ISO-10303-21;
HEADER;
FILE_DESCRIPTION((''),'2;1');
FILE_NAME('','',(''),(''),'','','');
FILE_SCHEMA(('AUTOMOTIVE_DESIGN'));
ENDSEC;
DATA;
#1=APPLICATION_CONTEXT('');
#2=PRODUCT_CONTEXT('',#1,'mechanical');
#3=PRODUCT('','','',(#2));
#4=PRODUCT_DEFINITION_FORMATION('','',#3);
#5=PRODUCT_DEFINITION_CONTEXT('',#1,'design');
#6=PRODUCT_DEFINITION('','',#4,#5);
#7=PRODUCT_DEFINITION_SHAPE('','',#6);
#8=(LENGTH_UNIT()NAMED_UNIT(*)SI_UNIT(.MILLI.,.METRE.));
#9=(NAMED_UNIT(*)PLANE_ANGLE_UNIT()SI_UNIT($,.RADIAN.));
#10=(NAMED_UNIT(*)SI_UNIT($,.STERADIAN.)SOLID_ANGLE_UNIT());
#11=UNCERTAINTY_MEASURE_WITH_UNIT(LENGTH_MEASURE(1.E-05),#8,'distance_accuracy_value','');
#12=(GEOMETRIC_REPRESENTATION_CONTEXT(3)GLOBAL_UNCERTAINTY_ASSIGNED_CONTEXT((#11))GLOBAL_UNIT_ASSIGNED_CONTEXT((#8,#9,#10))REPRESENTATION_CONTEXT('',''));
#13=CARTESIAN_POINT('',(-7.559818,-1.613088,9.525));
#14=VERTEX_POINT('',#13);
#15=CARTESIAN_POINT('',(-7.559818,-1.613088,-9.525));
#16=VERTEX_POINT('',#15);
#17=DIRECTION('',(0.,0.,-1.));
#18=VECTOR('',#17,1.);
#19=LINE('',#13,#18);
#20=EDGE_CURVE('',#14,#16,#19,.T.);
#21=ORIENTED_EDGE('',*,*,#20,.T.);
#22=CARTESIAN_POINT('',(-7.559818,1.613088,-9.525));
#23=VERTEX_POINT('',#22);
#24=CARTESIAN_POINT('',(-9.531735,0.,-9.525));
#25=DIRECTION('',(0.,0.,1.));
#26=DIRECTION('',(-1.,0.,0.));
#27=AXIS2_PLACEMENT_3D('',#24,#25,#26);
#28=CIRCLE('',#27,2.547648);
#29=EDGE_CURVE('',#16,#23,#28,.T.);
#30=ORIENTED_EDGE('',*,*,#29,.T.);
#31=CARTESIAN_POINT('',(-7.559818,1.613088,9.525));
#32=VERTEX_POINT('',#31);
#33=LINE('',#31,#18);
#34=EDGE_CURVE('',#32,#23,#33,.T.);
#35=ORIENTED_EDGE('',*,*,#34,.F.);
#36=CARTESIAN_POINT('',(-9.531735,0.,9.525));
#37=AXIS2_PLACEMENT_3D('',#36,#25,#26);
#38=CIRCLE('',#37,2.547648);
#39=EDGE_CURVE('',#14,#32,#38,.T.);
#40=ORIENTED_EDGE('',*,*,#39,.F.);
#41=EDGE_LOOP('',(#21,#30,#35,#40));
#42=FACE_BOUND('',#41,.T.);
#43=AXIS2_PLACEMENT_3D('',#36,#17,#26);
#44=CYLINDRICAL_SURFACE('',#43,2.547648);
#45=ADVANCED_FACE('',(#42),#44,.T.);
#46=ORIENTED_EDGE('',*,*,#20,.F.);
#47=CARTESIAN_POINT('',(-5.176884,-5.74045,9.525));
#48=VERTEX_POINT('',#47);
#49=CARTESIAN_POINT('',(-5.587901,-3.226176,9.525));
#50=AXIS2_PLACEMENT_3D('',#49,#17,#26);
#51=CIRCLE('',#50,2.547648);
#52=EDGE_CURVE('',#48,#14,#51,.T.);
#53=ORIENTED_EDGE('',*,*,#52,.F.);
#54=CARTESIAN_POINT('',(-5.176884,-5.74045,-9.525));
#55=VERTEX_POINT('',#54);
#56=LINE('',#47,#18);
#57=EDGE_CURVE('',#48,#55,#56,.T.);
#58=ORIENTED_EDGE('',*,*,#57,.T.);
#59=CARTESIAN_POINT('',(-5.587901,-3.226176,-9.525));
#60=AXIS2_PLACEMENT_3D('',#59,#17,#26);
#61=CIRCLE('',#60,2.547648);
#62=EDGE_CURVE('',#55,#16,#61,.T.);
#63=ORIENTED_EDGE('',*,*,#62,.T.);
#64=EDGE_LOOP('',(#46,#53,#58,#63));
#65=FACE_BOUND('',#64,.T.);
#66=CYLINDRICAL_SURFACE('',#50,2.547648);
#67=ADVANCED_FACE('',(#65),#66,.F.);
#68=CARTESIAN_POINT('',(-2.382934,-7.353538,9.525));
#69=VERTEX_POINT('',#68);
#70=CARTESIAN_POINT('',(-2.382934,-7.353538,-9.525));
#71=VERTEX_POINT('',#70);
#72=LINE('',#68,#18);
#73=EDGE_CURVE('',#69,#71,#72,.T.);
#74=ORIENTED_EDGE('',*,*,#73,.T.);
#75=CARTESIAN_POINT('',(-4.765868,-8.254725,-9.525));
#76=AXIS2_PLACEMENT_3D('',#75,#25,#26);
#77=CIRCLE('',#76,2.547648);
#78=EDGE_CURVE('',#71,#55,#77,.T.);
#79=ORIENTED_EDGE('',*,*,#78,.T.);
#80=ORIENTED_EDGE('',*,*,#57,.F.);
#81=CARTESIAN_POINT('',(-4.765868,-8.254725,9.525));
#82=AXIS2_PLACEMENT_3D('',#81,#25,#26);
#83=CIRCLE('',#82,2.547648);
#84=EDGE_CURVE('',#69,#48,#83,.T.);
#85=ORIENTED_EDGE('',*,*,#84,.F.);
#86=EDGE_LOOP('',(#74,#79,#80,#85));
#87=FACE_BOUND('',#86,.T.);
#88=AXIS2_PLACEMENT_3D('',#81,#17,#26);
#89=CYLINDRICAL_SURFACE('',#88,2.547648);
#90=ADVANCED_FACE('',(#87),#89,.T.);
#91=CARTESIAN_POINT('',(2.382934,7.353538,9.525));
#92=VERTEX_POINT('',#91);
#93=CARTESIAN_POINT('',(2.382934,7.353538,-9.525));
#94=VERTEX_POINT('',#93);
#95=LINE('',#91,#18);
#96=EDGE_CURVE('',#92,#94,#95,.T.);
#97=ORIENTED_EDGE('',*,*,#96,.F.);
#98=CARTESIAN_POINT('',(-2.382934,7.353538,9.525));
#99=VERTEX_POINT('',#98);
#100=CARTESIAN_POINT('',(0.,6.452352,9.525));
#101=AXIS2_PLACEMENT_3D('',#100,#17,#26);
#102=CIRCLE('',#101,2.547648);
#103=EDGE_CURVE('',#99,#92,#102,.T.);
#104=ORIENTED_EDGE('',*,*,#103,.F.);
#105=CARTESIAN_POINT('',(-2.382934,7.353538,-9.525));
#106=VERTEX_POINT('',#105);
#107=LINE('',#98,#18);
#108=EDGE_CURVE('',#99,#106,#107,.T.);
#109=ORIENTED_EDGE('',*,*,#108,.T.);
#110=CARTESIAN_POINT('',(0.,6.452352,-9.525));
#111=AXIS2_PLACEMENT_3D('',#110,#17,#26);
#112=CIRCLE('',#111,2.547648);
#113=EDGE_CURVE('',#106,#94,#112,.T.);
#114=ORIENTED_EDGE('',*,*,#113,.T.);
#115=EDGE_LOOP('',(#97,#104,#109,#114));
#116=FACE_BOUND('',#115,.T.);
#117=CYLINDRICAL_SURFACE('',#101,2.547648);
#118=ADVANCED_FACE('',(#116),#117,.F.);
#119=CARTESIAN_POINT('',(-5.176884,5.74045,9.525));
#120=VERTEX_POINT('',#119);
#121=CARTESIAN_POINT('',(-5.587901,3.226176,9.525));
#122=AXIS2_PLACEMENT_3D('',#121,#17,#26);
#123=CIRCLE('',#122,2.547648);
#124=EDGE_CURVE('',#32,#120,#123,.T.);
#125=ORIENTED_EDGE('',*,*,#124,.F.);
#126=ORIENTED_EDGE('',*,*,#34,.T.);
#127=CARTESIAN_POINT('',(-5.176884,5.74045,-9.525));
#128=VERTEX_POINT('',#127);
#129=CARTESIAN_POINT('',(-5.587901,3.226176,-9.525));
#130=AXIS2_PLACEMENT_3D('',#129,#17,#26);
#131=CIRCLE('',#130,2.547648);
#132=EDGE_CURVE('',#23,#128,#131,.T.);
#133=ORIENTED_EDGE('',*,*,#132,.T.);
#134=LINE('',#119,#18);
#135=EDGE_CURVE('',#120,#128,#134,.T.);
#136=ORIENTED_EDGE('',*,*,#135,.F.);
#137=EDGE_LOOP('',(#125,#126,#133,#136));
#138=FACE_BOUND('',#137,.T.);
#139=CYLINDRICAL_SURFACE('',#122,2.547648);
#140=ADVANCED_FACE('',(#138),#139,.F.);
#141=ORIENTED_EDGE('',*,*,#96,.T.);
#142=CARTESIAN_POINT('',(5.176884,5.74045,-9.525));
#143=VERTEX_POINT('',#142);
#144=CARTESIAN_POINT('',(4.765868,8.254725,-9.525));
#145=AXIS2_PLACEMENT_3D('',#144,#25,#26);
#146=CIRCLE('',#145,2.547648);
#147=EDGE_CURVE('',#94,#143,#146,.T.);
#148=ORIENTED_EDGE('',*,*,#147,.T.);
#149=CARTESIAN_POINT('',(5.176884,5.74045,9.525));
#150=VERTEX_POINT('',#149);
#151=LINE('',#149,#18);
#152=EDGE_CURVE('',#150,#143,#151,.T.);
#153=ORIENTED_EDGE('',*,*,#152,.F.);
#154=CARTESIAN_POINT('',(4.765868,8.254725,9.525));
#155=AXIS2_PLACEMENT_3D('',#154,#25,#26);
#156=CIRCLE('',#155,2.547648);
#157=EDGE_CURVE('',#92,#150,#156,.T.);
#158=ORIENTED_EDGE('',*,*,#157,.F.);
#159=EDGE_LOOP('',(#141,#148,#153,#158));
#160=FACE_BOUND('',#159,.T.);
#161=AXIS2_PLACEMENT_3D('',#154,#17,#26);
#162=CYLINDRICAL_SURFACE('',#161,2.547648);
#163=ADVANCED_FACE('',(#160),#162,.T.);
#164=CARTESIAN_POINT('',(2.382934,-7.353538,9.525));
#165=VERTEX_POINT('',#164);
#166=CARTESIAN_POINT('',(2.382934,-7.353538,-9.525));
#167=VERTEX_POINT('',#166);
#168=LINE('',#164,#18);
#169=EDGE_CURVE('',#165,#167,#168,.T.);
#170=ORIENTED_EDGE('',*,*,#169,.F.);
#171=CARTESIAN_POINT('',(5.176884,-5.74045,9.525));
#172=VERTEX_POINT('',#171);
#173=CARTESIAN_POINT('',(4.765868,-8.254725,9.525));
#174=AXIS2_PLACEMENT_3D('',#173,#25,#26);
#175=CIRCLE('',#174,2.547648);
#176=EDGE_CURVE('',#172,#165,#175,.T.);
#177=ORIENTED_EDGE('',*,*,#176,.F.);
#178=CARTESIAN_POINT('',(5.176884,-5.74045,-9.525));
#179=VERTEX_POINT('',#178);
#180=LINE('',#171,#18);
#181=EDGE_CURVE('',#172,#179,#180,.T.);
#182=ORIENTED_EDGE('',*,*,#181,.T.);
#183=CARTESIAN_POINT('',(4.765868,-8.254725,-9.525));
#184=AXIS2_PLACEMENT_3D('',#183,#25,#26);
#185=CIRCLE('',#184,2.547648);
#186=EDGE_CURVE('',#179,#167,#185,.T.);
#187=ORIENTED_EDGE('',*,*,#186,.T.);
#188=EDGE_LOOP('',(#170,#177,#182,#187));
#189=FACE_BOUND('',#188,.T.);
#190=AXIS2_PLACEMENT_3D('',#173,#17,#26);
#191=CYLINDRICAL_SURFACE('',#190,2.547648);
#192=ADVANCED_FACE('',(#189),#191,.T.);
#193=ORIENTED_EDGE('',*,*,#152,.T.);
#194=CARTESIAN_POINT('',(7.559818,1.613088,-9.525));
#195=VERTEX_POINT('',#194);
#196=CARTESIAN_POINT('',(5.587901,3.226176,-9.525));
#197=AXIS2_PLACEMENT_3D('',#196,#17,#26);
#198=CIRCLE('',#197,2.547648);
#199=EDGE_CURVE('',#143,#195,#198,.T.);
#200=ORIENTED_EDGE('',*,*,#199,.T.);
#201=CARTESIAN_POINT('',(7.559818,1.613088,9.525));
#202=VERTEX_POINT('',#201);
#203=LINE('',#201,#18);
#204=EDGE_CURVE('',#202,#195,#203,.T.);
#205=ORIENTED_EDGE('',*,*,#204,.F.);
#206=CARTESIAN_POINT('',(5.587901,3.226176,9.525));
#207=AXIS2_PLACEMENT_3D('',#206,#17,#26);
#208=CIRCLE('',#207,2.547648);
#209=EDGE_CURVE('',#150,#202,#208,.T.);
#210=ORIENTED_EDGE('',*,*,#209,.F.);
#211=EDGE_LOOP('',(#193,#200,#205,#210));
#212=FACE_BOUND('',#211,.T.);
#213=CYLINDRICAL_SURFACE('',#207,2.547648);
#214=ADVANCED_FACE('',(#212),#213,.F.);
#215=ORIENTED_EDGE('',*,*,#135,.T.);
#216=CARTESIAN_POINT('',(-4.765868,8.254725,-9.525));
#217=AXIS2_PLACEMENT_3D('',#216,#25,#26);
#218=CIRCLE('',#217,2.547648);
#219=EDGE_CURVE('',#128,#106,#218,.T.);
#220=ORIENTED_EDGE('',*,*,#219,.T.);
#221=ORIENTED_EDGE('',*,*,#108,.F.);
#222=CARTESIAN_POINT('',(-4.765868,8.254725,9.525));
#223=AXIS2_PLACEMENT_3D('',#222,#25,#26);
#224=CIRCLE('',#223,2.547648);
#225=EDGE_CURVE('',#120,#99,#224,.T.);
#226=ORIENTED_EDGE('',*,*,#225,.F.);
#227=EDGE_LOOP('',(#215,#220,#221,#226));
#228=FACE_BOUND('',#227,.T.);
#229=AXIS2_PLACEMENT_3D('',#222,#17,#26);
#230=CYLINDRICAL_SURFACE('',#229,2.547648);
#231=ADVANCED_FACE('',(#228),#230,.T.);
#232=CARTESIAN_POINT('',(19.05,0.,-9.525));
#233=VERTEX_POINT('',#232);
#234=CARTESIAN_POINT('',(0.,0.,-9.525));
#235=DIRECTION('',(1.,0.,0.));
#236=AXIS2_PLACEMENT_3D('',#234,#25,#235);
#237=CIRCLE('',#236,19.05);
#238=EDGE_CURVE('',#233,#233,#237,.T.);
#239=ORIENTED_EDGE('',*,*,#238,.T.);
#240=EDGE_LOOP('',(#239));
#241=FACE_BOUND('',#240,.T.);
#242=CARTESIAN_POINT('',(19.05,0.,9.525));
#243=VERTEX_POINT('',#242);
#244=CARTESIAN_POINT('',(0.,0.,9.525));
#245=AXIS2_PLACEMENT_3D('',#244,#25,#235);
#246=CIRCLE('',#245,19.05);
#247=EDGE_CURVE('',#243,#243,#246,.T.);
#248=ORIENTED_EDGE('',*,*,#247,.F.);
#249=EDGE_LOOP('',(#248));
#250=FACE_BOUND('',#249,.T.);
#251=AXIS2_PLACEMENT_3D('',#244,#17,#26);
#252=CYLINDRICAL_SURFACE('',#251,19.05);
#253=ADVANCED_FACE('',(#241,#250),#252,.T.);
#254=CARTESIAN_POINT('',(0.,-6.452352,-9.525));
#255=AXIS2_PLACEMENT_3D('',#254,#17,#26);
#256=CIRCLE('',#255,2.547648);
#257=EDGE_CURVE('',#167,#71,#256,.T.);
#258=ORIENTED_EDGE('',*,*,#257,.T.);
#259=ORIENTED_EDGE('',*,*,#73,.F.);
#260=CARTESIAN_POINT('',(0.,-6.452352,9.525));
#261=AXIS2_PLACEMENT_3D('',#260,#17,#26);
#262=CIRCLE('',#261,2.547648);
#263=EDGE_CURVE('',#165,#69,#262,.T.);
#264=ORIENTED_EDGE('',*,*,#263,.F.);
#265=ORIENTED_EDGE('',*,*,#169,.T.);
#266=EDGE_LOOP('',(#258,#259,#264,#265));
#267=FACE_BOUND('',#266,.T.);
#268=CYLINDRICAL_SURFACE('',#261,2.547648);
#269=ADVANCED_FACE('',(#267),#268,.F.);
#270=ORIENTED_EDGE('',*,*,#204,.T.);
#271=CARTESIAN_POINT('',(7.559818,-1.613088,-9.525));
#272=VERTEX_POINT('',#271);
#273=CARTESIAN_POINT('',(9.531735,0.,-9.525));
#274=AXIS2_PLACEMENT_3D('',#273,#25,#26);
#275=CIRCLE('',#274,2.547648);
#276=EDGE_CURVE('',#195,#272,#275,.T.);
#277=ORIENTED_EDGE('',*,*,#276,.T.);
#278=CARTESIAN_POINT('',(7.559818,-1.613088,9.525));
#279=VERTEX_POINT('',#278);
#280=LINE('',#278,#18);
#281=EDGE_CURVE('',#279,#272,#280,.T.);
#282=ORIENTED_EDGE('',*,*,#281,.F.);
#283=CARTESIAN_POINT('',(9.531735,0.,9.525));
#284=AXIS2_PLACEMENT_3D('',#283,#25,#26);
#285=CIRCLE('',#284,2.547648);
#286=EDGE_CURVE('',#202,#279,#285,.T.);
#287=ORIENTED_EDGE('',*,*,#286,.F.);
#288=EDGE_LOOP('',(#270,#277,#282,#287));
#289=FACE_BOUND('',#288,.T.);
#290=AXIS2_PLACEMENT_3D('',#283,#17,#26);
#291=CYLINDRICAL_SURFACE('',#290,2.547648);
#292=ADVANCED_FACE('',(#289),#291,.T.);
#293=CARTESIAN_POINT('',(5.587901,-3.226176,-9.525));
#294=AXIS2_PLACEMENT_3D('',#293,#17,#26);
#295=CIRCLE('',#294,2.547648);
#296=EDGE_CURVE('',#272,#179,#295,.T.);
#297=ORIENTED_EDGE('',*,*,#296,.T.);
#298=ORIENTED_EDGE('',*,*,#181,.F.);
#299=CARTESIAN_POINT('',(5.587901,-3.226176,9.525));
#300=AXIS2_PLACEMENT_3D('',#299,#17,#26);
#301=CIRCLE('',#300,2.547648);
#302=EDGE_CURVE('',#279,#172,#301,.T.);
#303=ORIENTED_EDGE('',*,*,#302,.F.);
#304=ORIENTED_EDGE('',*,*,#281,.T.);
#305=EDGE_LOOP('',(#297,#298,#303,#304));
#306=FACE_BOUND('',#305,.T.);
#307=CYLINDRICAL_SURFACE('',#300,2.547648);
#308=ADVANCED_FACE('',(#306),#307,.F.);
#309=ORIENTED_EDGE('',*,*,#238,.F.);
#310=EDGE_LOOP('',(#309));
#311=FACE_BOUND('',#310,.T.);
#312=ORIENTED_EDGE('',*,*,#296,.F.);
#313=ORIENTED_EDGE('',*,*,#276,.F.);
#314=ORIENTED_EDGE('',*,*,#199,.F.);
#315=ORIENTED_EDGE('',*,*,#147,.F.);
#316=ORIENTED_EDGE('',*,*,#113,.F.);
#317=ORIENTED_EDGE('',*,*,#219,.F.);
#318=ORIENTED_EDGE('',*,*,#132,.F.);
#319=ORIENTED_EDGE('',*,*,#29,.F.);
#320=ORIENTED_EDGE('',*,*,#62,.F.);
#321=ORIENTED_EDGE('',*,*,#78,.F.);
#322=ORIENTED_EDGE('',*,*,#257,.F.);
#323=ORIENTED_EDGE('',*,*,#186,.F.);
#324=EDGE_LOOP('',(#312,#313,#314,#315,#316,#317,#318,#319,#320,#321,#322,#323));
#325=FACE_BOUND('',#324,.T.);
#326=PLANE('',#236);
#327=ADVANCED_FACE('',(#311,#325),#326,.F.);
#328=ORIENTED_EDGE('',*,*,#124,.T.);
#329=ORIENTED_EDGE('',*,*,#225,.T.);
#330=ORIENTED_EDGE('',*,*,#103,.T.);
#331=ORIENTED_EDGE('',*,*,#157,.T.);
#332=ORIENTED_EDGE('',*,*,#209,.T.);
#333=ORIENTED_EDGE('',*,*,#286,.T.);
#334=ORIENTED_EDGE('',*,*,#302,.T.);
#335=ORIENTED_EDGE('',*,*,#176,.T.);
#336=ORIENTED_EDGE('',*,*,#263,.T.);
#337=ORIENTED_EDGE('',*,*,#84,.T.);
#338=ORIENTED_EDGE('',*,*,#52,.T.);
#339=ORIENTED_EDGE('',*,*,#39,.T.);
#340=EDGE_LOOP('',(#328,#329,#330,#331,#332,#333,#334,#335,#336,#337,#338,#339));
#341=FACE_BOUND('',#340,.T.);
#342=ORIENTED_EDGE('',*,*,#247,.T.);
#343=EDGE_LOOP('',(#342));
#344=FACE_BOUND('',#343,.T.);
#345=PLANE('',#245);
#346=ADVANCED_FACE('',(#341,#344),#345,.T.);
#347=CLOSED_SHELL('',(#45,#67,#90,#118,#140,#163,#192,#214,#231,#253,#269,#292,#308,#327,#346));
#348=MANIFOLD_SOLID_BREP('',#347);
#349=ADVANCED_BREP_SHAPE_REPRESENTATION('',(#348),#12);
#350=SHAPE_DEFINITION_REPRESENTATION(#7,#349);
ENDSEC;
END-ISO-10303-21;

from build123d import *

# Parameters (mm, degrees)
SKETCH1_R           = 19.05
SKETCH1_R_2         = 5
BOSS_EXTRUDE1_DEPTH = 9.525
CUT_EXTRUDE1_DEPTH  = 20.05


with BuildPart() as part:
    # Sketch1 → Boss-Extrude1 (new body, symmetric)
    with BuildSketch(Plane.XY):
        Circle(SKETCH1_R)
        Circle(SKETCH1_R_2, mode=Mode.SUBTRACT)
    extrude(amount=BOSS_EXTRUDE1_DEPTH, both=True)

    # Sketch2 → Cut-Extrude1 (cut, through all)
    with BuildSketch(Plane(origin=(0, 0, -9.525), x_dir=(-1, 0, 0), z_dir=(0, 0, -1))):
        with BuildLine():
            ThreePointArc((-2.382933771, -7.353538376), (-3.492043555, -6.04839686), (-5.176884156, -5.740450369))
            ThreePointArc((-5.176884156, -5.740450369), (-7.794228634, -4.5), (-7.559817926, -1.613088007))
            ThreePointArc((-7.559817926, -1.613088007), (-6.984087111, 0), (-7.559817926, 1.613088007))
            ThreePointArc((-7.559817926, 1.613088007), (-7.794228634, 4.5), (-5.176884156, 5.740450369))
            ThreePointArc((-5.176884156, 5.740450369), (-3.492043555, 6.04839686), (-2.382933771, 7.353538376))
            ThreePointArc((-2.382933771, 7.353538376), (0, 9), (2.382933771, 7.353538376))
            ThreePointArc((2.382933771, 7.353538376), (3.492043555, 6.04839686), (5.176884156, 5.740450369))
            ThreePointArc((5.176884156, 5.740450369), (7.794228634, 4.5), (7.559817926, 1.613088007))
            ThreePointArc((7.559817926, 1.613088007), (6.984087111, 0), (7.559817926, -1.613088007))
            ThreePointArc((7.559817926, -1.613088007), (7.794228634, -4.5), (5.176884156, -5.740450369))
            ThreePointArc((5.176884156, -5.740450369), (3.492043555, -6.04839686), (2.382933771, -7.353538376))
            ThreePointArc((2.382933771, -7.353538376), (0, -9), (-2.382933771, -7.353538376))
        make_face()
    extrude(amount=-CUT_EXTRUDE1_DEPTH, mode=Mode.SUBTRACT)


solid = part.part
